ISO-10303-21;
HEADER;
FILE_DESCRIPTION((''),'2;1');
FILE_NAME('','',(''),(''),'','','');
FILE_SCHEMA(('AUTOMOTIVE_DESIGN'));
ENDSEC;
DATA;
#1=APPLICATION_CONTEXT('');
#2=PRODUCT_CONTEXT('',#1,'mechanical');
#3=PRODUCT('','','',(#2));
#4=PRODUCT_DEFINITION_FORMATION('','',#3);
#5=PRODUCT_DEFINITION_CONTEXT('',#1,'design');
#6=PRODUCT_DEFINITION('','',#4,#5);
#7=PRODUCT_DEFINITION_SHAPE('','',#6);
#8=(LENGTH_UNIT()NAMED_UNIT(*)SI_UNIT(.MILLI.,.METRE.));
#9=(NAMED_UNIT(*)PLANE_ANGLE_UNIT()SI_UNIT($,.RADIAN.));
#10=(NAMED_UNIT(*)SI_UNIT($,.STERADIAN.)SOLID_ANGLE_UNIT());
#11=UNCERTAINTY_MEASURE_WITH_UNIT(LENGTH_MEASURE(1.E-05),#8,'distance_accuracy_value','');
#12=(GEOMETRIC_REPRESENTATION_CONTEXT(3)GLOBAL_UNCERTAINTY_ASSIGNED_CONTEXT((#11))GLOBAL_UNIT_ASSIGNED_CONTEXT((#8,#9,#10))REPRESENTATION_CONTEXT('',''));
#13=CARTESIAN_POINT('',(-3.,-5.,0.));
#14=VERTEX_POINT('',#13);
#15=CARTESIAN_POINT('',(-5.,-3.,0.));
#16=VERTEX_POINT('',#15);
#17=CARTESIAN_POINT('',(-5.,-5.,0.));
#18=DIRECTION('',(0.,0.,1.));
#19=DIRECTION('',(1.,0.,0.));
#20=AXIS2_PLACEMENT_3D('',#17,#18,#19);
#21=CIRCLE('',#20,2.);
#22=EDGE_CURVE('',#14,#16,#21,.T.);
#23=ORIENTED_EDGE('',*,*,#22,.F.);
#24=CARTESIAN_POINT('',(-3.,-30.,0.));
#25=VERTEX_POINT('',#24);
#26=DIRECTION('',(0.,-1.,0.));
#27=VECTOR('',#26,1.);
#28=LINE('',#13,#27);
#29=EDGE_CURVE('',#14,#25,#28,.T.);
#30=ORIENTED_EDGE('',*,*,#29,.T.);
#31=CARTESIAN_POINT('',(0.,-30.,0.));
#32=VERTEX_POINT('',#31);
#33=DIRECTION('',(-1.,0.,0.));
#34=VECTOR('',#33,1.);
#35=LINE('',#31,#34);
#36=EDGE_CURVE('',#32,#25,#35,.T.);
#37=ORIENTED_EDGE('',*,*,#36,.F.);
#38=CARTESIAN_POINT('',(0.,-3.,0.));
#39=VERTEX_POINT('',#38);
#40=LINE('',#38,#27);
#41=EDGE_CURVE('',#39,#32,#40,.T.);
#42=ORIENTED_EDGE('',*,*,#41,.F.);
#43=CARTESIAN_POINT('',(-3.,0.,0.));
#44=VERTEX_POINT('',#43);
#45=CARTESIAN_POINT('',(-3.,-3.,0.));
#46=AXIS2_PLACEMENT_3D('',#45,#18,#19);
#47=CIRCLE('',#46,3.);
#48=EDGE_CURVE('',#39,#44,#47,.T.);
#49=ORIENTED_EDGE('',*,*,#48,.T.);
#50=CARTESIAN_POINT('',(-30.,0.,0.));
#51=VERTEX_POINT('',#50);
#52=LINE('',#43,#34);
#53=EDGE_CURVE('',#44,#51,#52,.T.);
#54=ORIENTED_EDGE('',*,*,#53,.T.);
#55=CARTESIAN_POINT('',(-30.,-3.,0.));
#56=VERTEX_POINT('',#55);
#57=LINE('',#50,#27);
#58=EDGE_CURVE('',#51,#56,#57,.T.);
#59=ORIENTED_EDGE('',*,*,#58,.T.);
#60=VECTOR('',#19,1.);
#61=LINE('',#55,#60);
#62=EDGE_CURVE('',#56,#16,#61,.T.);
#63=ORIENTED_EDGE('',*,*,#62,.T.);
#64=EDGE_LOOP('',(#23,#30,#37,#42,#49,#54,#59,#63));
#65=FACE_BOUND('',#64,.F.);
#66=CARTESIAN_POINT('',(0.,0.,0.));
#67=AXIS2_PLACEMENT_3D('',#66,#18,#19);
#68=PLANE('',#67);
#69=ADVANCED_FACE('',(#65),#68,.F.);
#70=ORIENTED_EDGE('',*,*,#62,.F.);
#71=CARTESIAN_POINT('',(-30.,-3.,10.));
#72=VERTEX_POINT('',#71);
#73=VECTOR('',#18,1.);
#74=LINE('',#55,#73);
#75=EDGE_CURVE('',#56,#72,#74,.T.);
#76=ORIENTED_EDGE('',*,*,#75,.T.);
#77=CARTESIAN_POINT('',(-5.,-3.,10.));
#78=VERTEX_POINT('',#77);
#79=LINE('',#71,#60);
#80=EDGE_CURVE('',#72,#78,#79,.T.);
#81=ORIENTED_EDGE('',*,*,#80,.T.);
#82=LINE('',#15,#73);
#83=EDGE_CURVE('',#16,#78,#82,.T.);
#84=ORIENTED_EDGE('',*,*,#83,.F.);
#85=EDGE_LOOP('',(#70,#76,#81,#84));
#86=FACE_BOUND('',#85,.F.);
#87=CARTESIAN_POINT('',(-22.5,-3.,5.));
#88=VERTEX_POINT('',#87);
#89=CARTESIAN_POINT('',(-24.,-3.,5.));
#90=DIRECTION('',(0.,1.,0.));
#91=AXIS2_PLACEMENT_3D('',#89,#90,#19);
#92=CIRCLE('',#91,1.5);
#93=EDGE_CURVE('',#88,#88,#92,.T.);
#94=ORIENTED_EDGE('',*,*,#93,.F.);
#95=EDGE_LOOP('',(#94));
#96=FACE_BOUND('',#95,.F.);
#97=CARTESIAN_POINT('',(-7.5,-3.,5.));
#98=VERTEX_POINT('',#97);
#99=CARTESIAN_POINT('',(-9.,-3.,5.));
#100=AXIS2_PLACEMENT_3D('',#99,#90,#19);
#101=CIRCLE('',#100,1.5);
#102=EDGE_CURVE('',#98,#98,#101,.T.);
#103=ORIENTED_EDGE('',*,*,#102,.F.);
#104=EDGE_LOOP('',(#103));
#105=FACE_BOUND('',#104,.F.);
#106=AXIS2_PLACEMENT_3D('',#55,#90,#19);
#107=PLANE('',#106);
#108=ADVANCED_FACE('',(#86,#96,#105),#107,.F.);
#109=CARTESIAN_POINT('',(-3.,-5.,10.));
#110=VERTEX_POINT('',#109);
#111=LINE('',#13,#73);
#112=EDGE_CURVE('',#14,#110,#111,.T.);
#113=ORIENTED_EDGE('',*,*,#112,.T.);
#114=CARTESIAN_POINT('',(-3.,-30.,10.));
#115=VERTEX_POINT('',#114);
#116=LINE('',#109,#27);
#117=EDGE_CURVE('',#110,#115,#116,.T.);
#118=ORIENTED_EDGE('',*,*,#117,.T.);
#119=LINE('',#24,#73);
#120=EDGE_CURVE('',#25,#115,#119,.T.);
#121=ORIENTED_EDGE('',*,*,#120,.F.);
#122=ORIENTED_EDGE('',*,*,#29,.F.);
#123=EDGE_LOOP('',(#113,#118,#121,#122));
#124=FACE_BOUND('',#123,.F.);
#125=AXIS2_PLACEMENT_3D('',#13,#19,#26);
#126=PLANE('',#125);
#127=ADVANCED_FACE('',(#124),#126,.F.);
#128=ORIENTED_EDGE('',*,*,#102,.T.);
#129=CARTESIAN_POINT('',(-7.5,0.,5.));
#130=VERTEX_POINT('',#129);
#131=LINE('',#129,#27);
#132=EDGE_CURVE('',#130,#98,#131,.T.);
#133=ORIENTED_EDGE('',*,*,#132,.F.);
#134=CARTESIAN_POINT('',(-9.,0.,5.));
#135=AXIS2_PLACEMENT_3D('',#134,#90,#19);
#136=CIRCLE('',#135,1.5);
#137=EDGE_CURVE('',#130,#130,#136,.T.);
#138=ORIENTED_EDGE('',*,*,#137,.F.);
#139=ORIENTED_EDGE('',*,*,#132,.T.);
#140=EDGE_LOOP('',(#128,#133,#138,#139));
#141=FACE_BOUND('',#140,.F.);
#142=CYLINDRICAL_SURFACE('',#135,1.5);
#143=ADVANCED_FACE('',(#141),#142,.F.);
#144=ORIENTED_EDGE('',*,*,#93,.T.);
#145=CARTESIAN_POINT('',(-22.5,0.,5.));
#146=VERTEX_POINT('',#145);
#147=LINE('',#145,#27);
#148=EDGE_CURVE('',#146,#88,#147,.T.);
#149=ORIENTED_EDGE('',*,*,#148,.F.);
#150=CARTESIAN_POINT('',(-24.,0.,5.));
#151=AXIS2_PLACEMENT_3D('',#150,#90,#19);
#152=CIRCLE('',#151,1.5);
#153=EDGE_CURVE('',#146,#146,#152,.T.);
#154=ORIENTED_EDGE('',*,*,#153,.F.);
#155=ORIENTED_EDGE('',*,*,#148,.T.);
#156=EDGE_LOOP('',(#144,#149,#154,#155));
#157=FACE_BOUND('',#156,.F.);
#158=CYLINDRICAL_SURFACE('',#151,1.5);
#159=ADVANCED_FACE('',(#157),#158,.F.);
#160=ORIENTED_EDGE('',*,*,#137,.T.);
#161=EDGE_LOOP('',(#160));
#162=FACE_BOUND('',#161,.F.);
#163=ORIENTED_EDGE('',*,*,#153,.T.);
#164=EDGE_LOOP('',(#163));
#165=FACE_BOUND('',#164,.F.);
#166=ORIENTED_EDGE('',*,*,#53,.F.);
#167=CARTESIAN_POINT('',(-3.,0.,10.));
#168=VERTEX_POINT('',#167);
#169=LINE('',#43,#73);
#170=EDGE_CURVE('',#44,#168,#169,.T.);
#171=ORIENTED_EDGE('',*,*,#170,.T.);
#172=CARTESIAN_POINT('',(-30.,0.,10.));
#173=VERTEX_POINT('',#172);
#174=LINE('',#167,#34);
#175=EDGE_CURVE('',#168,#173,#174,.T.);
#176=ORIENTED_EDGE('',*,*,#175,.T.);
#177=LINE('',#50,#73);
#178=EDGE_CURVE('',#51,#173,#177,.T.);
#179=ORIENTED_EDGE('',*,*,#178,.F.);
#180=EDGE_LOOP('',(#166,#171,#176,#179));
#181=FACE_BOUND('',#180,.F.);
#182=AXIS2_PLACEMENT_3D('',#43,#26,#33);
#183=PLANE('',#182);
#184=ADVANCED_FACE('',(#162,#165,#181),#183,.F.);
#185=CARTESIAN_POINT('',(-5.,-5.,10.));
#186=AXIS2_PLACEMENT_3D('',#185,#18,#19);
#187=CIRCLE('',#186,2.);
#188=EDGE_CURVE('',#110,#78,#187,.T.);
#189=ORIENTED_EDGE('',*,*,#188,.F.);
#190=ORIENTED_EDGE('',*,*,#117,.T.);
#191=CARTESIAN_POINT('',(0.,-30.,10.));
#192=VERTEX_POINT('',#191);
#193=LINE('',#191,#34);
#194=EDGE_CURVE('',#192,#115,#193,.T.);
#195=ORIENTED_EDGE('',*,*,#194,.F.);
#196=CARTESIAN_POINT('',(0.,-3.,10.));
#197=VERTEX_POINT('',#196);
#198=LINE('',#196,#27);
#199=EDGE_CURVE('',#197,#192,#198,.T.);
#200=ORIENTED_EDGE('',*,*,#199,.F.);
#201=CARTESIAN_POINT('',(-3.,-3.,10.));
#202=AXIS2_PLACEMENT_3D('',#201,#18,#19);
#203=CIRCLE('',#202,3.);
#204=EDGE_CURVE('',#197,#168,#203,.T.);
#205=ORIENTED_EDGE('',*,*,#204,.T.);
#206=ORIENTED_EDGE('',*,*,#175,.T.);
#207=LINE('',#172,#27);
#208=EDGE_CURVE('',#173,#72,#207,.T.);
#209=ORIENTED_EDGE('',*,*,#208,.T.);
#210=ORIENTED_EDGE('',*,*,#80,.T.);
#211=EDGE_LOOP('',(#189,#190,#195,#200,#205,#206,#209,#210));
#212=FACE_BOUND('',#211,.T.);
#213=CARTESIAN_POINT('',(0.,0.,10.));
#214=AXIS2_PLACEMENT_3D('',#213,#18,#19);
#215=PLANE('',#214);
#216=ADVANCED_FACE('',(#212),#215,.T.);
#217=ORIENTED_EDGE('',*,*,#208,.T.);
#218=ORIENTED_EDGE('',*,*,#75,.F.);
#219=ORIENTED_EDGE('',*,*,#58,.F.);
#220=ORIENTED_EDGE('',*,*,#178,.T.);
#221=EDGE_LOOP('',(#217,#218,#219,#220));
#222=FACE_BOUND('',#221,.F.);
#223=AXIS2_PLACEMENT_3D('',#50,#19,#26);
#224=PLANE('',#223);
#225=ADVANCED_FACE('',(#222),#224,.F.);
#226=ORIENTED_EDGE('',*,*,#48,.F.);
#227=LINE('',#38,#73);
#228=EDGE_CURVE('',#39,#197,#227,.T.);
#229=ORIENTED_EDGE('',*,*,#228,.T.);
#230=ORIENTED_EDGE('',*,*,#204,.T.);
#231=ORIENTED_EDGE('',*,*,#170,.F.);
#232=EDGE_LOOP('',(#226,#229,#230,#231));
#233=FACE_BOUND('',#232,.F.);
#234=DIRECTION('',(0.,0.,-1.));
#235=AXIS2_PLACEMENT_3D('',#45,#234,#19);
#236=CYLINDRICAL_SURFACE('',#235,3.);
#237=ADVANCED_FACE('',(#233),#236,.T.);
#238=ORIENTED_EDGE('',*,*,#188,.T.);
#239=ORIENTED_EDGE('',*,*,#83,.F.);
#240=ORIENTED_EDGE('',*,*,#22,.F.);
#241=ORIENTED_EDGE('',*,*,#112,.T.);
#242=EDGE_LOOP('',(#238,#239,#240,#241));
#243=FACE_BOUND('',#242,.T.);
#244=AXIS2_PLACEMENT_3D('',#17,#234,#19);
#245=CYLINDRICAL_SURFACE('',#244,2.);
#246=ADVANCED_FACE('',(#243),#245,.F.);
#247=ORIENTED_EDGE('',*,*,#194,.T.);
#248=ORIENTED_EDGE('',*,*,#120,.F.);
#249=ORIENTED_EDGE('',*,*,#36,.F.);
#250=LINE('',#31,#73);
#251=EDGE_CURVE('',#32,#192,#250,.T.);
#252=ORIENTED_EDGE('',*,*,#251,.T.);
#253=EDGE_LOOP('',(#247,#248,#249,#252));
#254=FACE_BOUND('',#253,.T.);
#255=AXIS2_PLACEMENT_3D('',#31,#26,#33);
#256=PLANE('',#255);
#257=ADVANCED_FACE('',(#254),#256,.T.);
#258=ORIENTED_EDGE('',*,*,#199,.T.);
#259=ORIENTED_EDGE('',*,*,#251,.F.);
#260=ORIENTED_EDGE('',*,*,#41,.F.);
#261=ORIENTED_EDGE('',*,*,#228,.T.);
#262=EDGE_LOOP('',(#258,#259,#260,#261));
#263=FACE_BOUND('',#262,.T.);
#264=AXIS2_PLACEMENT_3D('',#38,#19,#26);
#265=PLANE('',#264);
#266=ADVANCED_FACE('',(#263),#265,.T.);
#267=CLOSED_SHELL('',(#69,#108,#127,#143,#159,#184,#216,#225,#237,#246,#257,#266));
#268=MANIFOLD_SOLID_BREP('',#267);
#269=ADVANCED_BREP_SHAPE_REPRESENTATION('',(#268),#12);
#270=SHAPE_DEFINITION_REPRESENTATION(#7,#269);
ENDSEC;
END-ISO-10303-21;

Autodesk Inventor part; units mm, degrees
ref_plane "YZ Plane" through (0, 0, 0) normal (1, 0, 0) x (0, 1, 0)
ref_plane "XZ Plane" through (0, 0, 0) normal (0, 1, 0) x (-1, 0, 0)
ref_plane "XY Plane" through (0, 0, 0) normal (0, 0, 1) x (1, 0, 0)
sketch "Sketch1" plane through (0, 0, 0) normal (0, 0, 1) x (1, 0, 0)
  line L0 (0, -3) -> (0, -30)
  line L1 (0, -30) -> (-3, -30)
  line L2 (-3, 0) -> (-30, 0)
  line L3 (-30, 0) -> (-30, -3)
  line L4 (-30, -3) -> (-5, -3)
  line L5 (-3, -5) -> (-3, -30)
  arc A0 (-3, -5) -> (-5, -3) centre (-5, -5) ccw
  arc A1 (0, -3) -> (-3, 0) centre (-3, -3) ccw
  point P0 (0, 0)
  dimension "d0" = 3
  dimension "d1" = 30
  dimension "d2" = 30
  dimension "d3" = 3
  dimension "d4" = 2
  dimension "d5" = 3
extrude "Extrusion1" add sketch "Sketch1" along normal blind 10
sketch "Sketch2" plane through (-30, 0, 0) normal (0, 1, 0) x (1, 0, 0)
  line L0 (0, 0) -> (0, -10) projected
  line L1 (0, -5) -> (105.7615, -5) construction
  circle A0 centre (6, -5) radius 1.5
  circle A1 centre (21, -5) radius 1.5
  point P0 (30, 0)
  dimension "d8" = 3
  dimension "d9" = 3
  dimension "d10" = 6
  dimension "d11" = 15
extrude "Extrusion2" cut sketch "Sketch2" against normal blind 3
equation "\"d2\" = d1"
equation "\"d3\" = d0"
equation "\"d9\" = d8"
properties part number "profiletto a l"
